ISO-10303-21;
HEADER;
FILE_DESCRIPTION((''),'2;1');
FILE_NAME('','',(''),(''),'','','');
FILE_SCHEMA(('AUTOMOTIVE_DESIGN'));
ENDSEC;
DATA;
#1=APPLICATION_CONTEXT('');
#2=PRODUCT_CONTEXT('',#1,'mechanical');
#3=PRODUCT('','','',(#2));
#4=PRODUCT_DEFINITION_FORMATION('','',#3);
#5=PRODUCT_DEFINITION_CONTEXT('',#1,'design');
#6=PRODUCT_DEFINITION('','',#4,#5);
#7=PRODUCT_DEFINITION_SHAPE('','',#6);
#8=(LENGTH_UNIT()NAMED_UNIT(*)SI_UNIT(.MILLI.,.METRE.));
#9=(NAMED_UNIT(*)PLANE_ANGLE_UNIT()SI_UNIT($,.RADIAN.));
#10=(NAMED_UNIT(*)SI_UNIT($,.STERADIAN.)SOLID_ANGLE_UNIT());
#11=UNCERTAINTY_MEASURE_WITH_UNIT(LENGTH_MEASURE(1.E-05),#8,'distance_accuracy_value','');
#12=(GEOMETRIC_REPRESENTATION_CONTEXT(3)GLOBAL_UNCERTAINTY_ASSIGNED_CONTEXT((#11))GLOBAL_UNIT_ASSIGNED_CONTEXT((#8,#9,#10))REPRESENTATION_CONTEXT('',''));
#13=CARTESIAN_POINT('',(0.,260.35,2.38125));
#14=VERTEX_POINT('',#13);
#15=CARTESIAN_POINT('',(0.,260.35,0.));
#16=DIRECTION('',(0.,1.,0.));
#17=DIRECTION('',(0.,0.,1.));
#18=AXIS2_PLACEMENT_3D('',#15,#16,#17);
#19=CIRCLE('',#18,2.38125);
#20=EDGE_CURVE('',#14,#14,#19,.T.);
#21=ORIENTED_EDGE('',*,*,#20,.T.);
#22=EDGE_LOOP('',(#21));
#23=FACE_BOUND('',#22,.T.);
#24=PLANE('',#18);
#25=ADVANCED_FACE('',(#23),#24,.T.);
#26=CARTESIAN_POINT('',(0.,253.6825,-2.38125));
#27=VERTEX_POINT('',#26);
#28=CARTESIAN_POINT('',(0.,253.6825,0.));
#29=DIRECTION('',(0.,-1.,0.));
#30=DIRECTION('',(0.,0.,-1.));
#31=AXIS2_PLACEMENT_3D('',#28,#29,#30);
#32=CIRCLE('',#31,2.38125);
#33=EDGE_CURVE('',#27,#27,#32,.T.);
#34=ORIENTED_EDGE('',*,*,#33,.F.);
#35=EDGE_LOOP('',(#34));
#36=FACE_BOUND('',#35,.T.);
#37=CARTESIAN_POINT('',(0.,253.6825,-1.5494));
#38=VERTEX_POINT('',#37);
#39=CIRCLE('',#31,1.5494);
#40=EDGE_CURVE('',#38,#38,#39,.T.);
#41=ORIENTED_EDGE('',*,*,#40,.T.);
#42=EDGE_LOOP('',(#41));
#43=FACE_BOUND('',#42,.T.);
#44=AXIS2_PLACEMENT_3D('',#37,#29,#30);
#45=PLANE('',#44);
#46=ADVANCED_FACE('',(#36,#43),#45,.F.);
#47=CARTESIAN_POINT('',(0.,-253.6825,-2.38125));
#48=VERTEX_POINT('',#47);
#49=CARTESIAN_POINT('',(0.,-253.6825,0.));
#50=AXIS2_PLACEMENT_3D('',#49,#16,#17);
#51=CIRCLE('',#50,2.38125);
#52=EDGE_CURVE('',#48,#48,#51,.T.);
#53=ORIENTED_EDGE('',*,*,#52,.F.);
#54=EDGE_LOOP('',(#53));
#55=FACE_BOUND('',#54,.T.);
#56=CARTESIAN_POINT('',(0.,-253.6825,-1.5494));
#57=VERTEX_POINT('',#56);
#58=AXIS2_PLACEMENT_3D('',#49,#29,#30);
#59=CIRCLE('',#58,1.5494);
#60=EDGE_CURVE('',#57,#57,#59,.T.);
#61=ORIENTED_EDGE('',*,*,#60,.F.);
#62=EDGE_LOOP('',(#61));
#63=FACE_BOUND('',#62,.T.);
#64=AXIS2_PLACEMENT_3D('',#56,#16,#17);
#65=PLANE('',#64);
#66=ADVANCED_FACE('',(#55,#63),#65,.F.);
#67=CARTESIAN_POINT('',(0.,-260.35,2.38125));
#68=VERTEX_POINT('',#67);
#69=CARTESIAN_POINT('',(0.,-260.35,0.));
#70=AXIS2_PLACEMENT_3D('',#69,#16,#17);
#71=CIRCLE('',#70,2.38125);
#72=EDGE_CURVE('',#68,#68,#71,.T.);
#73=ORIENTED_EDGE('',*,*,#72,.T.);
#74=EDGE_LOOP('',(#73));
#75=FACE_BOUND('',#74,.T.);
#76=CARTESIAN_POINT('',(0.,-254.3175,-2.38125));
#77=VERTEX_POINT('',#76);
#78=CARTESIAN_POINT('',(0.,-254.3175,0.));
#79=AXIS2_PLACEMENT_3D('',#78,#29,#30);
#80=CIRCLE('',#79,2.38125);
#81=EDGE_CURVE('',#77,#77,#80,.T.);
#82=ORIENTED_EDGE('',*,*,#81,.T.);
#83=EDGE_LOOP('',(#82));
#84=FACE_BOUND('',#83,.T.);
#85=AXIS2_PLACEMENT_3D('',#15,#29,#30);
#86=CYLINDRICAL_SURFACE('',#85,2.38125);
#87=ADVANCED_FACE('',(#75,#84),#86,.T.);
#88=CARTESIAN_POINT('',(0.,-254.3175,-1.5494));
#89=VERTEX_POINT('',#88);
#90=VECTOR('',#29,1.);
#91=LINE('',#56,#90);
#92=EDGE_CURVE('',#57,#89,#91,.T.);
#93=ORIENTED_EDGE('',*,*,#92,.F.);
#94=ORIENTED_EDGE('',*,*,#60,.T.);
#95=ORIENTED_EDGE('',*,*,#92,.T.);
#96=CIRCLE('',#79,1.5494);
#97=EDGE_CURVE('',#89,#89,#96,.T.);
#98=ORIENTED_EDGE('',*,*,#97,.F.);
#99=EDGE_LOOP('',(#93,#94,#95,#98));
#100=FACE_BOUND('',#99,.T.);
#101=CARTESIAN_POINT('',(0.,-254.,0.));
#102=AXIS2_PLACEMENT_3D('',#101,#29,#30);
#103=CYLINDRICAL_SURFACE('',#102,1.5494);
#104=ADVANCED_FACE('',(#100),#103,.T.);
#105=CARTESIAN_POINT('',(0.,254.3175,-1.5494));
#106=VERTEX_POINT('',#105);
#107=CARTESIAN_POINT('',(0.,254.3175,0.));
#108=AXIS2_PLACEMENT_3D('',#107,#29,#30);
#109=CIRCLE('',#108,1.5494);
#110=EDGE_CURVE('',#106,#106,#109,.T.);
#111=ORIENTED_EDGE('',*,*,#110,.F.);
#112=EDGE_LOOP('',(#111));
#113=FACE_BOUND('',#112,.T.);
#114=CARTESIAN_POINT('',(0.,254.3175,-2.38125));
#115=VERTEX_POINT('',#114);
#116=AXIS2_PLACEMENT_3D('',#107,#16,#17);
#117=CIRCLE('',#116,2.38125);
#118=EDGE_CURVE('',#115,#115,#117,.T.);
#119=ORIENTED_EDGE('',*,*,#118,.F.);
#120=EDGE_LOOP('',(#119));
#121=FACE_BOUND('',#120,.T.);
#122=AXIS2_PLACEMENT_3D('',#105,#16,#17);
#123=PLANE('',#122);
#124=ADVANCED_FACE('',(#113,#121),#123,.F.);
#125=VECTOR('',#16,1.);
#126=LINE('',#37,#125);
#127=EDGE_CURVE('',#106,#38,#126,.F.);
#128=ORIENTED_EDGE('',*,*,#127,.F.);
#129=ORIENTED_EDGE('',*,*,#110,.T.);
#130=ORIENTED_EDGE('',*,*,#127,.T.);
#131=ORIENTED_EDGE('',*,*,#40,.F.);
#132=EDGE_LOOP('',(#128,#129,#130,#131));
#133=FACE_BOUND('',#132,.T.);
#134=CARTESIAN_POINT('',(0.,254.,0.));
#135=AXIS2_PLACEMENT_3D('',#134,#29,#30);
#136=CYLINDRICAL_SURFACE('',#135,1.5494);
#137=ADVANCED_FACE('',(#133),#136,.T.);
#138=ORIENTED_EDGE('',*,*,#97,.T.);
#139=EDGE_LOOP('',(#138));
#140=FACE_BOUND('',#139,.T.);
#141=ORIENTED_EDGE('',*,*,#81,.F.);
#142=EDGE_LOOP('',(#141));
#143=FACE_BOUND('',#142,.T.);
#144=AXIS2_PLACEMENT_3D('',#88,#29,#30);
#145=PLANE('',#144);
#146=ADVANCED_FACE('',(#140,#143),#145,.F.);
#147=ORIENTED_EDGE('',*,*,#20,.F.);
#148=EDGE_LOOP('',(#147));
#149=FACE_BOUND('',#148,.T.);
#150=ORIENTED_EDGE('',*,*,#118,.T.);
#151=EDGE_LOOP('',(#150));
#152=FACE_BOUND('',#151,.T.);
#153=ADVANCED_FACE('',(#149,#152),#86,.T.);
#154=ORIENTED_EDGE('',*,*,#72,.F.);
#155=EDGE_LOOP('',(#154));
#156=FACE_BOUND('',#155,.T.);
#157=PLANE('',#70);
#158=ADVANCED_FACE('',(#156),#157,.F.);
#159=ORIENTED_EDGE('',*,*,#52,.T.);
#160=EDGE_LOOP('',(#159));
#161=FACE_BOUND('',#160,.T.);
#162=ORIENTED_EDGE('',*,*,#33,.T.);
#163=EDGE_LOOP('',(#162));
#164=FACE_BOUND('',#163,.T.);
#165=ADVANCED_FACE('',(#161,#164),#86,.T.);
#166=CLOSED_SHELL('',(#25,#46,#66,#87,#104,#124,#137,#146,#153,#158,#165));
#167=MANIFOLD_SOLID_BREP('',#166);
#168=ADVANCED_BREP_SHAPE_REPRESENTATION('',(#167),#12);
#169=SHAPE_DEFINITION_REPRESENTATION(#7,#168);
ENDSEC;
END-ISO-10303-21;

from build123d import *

# Parameters (mm, degrees)
SKETCH1_R           = 2.38125
BOSS_EXTRUDE1_DEPTH = 260.35
SKETCH8_W           = 1.6637
SKETCH8_H           = 0.635


with BuildPart() as part:
    # Sketch1 → Boss-Extrude1 (new body, symmetric)
    with BuildSketch(Plane(origin=(0, 0, 0), x_dir=(1, 0, 0), z_dir=(0, 1, 0))):
        Circle(SKETCH1_R)
    extrude(amount=BOSS_EXTRUDE1_DEPTH, both=True)

    # Cut-Sweep1: sweep along a path in Sketch7
    with BuildLine(Plane(origin=(0, -254, 0), x_dir=(-1, 0, 0), z_dir=(0, -1, 0))) as cut_sweep1_path:
        CenterArc((0, 0), 2.38125, 0, 360)
    # Sketch8 → Cut-Sweep1 (sweep, cut)
    with BuildSketch(Plane(origin=(0, 0, 0), x_dir=(0, 0, -1), z_dir=(1, 0, 0))):
        with Locations((2.38125, -254)):
            Rectangle(SKETCH8_W, SKETCH8_H)
    cut_sweep1 = sweep(path=cut_sweep1_path.line, mode=Mode.SUBTRACT)

    # Mirror1: Cut-Sweep1 across plane
    add(cut_sweep1.mirror(Plane.ZX), mode=Mode.SUBTRACT)


solid = part.part
